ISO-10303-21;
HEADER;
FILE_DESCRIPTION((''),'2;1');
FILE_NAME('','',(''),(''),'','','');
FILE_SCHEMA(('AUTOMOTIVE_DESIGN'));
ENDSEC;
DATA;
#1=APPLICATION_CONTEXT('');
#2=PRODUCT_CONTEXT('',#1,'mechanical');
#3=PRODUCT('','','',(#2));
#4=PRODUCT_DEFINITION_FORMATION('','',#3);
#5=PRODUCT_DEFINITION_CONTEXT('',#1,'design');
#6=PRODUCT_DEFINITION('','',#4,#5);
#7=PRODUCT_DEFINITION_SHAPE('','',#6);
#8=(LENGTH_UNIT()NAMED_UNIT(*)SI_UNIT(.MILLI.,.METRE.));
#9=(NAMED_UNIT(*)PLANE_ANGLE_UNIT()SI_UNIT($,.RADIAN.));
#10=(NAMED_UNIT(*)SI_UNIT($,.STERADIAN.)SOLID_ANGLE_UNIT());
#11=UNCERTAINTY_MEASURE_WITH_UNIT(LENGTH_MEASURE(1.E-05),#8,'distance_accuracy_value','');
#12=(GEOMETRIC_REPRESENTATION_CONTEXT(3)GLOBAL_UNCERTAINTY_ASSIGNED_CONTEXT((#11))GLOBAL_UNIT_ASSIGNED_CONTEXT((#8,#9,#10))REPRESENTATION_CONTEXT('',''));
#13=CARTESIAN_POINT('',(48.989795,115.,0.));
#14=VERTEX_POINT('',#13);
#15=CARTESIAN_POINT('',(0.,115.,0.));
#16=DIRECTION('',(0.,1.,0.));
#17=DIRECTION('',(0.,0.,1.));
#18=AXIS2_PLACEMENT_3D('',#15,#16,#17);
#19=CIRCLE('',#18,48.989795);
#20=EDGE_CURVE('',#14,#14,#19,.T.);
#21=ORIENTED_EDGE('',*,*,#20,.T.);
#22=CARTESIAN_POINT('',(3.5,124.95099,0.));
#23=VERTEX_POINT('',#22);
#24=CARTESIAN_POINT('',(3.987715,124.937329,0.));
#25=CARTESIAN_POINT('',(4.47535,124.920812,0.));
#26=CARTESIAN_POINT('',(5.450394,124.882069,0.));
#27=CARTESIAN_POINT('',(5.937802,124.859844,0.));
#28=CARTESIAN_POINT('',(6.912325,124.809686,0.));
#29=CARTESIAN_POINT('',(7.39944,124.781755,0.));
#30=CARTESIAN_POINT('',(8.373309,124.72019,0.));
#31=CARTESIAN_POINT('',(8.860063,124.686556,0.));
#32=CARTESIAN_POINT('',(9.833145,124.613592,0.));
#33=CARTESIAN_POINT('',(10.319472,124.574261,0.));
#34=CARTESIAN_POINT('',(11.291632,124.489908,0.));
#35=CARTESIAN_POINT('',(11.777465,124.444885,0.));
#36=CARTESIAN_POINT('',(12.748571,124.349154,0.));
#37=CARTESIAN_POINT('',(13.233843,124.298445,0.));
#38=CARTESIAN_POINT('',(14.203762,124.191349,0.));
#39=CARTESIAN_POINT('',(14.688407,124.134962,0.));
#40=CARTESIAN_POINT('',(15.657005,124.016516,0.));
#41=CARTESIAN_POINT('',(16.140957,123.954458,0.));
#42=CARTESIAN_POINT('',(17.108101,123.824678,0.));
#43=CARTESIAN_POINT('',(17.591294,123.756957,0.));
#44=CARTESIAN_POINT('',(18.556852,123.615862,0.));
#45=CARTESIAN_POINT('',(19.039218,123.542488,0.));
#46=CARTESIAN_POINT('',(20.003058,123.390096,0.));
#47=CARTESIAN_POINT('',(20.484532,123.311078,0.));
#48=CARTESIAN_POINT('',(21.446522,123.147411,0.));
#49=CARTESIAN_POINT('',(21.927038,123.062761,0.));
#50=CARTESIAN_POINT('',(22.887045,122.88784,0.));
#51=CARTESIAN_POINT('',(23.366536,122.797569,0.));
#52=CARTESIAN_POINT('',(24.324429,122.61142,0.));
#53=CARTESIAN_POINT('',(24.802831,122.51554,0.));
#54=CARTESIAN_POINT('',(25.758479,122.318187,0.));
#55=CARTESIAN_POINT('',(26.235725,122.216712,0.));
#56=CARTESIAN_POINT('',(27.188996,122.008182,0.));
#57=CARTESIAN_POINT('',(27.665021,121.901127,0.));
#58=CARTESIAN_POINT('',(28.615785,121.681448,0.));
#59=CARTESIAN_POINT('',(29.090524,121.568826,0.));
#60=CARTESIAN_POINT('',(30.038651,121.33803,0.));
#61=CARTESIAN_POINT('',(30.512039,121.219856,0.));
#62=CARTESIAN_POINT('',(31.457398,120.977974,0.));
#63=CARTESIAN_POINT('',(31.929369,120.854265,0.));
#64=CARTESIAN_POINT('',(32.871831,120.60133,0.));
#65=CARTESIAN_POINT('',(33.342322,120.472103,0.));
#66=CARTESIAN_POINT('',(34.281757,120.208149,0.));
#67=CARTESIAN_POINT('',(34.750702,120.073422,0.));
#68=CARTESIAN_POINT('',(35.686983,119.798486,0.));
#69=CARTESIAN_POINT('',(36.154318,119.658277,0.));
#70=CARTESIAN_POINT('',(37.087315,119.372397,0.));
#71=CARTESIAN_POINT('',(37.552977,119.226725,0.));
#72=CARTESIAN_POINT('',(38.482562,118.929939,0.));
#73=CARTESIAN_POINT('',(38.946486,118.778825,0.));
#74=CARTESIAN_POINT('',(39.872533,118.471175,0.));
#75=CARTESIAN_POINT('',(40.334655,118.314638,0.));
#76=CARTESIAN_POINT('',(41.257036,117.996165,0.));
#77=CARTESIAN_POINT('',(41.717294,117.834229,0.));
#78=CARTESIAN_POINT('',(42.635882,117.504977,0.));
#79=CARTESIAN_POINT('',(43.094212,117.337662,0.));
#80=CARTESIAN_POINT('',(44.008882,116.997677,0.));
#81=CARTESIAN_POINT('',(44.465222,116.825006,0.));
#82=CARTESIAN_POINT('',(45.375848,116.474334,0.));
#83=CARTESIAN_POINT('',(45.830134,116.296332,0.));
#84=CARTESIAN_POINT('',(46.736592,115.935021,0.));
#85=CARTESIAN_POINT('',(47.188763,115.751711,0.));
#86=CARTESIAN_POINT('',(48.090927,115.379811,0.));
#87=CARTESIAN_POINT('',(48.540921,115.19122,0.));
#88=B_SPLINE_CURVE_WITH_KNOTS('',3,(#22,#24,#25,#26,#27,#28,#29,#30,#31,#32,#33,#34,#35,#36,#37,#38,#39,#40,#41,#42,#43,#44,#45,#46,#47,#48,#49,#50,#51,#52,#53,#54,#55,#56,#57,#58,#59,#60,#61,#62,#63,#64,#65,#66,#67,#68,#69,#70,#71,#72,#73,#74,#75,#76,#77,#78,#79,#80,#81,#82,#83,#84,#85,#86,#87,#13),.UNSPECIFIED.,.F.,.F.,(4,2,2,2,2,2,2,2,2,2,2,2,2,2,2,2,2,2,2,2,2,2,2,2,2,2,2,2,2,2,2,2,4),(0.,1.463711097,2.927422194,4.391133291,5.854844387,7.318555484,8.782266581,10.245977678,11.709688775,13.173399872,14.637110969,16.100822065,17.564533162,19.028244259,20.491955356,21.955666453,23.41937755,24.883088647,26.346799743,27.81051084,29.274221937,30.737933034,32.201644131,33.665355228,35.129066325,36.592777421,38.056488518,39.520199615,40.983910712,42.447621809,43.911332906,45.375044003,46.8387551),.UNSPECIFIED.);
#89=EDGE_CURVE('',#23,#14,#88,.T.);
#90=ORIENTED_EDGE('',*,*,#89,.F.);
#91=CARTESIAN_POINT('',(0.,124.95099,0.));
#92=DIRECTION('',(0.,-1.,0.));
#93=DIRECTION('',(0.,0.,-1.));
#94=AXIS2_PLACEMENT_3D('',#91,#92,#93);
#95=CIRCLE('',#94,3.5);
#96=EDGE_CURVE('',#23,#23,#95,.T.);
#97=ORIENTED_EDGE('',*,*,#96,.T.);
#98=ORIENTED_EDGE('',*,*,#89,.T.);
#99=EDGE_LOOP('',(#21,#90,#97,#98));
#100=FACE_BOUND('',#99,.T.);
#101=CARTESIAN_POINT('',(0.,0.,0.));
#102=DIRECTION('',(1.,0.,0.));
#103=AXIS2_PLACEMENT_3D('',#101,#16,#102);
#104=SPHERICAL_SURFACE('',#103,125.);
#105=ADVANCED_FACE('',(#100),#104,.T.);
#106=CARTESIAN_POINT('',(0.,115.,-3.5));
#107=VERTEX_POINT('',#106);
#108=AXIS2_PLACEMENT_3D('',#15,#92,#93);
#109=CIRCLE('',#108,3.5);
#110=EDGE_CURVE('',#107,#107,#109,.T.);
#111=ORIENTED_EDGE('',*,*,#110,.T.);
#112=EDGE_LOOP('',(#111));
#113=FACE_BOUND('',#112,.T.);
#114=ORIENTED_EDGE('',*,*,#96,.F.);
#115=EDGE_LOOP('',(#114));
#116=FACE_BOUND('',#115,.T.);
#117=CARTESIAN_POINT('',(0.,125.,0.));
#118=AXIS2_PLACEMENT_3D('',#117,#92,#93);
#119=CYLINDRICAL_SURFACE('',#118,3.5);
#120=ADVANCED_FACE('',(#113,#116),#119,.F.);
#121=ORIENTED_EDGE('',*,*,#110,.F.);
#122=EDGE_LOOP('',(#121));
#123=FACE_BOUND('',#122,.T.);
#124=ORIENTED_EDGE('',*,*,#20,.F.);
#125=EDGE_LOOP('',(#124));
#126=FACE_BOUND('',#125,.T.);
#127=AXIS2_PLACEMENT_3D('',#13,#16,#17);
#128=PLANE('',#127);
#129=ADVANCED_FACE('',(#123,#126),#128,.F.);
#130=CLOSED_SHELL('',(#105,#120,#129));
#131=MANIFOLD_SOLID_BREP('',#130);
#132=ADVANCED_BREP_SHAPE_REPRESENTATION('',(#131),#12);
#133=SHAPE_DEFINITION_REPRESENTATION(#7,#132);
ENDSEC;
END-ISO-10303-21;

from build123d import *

# Parameters (mm, degrees)
SKETCH_2_R          = 3.5
CUT_EXTRUDE_2_DEPTH = 71


with BuildPart() as part:
    # 草圖1 → 旋轉1 (revolve)
    with BuildSketch(Plane.XY):
        with BuildLine():
            Line((48.989794856, 115), (0, 115))
            Line((0, 115), (0, 125))
            ThreePointArc((0, 125), (25, 122.474487139), (48.989794856, 115))
        make_face()
    revolve(axis=Axis((0, 156.221455285, 0), (0, -1, 0)))

    # 草圖2 → 除料-伸長2 (cut, through all)
    with BuildSketch(Plane.XZ.offset(-115)):
        with Locations(Location((0, 0, 0), (0, 0, 270))):
            Circle(SKETCH_2_R)
    extrude(amount=-CUT_EXTRUDE_2_DEPTH, mode=Mode.SUBTRACT)


solid = part.part
